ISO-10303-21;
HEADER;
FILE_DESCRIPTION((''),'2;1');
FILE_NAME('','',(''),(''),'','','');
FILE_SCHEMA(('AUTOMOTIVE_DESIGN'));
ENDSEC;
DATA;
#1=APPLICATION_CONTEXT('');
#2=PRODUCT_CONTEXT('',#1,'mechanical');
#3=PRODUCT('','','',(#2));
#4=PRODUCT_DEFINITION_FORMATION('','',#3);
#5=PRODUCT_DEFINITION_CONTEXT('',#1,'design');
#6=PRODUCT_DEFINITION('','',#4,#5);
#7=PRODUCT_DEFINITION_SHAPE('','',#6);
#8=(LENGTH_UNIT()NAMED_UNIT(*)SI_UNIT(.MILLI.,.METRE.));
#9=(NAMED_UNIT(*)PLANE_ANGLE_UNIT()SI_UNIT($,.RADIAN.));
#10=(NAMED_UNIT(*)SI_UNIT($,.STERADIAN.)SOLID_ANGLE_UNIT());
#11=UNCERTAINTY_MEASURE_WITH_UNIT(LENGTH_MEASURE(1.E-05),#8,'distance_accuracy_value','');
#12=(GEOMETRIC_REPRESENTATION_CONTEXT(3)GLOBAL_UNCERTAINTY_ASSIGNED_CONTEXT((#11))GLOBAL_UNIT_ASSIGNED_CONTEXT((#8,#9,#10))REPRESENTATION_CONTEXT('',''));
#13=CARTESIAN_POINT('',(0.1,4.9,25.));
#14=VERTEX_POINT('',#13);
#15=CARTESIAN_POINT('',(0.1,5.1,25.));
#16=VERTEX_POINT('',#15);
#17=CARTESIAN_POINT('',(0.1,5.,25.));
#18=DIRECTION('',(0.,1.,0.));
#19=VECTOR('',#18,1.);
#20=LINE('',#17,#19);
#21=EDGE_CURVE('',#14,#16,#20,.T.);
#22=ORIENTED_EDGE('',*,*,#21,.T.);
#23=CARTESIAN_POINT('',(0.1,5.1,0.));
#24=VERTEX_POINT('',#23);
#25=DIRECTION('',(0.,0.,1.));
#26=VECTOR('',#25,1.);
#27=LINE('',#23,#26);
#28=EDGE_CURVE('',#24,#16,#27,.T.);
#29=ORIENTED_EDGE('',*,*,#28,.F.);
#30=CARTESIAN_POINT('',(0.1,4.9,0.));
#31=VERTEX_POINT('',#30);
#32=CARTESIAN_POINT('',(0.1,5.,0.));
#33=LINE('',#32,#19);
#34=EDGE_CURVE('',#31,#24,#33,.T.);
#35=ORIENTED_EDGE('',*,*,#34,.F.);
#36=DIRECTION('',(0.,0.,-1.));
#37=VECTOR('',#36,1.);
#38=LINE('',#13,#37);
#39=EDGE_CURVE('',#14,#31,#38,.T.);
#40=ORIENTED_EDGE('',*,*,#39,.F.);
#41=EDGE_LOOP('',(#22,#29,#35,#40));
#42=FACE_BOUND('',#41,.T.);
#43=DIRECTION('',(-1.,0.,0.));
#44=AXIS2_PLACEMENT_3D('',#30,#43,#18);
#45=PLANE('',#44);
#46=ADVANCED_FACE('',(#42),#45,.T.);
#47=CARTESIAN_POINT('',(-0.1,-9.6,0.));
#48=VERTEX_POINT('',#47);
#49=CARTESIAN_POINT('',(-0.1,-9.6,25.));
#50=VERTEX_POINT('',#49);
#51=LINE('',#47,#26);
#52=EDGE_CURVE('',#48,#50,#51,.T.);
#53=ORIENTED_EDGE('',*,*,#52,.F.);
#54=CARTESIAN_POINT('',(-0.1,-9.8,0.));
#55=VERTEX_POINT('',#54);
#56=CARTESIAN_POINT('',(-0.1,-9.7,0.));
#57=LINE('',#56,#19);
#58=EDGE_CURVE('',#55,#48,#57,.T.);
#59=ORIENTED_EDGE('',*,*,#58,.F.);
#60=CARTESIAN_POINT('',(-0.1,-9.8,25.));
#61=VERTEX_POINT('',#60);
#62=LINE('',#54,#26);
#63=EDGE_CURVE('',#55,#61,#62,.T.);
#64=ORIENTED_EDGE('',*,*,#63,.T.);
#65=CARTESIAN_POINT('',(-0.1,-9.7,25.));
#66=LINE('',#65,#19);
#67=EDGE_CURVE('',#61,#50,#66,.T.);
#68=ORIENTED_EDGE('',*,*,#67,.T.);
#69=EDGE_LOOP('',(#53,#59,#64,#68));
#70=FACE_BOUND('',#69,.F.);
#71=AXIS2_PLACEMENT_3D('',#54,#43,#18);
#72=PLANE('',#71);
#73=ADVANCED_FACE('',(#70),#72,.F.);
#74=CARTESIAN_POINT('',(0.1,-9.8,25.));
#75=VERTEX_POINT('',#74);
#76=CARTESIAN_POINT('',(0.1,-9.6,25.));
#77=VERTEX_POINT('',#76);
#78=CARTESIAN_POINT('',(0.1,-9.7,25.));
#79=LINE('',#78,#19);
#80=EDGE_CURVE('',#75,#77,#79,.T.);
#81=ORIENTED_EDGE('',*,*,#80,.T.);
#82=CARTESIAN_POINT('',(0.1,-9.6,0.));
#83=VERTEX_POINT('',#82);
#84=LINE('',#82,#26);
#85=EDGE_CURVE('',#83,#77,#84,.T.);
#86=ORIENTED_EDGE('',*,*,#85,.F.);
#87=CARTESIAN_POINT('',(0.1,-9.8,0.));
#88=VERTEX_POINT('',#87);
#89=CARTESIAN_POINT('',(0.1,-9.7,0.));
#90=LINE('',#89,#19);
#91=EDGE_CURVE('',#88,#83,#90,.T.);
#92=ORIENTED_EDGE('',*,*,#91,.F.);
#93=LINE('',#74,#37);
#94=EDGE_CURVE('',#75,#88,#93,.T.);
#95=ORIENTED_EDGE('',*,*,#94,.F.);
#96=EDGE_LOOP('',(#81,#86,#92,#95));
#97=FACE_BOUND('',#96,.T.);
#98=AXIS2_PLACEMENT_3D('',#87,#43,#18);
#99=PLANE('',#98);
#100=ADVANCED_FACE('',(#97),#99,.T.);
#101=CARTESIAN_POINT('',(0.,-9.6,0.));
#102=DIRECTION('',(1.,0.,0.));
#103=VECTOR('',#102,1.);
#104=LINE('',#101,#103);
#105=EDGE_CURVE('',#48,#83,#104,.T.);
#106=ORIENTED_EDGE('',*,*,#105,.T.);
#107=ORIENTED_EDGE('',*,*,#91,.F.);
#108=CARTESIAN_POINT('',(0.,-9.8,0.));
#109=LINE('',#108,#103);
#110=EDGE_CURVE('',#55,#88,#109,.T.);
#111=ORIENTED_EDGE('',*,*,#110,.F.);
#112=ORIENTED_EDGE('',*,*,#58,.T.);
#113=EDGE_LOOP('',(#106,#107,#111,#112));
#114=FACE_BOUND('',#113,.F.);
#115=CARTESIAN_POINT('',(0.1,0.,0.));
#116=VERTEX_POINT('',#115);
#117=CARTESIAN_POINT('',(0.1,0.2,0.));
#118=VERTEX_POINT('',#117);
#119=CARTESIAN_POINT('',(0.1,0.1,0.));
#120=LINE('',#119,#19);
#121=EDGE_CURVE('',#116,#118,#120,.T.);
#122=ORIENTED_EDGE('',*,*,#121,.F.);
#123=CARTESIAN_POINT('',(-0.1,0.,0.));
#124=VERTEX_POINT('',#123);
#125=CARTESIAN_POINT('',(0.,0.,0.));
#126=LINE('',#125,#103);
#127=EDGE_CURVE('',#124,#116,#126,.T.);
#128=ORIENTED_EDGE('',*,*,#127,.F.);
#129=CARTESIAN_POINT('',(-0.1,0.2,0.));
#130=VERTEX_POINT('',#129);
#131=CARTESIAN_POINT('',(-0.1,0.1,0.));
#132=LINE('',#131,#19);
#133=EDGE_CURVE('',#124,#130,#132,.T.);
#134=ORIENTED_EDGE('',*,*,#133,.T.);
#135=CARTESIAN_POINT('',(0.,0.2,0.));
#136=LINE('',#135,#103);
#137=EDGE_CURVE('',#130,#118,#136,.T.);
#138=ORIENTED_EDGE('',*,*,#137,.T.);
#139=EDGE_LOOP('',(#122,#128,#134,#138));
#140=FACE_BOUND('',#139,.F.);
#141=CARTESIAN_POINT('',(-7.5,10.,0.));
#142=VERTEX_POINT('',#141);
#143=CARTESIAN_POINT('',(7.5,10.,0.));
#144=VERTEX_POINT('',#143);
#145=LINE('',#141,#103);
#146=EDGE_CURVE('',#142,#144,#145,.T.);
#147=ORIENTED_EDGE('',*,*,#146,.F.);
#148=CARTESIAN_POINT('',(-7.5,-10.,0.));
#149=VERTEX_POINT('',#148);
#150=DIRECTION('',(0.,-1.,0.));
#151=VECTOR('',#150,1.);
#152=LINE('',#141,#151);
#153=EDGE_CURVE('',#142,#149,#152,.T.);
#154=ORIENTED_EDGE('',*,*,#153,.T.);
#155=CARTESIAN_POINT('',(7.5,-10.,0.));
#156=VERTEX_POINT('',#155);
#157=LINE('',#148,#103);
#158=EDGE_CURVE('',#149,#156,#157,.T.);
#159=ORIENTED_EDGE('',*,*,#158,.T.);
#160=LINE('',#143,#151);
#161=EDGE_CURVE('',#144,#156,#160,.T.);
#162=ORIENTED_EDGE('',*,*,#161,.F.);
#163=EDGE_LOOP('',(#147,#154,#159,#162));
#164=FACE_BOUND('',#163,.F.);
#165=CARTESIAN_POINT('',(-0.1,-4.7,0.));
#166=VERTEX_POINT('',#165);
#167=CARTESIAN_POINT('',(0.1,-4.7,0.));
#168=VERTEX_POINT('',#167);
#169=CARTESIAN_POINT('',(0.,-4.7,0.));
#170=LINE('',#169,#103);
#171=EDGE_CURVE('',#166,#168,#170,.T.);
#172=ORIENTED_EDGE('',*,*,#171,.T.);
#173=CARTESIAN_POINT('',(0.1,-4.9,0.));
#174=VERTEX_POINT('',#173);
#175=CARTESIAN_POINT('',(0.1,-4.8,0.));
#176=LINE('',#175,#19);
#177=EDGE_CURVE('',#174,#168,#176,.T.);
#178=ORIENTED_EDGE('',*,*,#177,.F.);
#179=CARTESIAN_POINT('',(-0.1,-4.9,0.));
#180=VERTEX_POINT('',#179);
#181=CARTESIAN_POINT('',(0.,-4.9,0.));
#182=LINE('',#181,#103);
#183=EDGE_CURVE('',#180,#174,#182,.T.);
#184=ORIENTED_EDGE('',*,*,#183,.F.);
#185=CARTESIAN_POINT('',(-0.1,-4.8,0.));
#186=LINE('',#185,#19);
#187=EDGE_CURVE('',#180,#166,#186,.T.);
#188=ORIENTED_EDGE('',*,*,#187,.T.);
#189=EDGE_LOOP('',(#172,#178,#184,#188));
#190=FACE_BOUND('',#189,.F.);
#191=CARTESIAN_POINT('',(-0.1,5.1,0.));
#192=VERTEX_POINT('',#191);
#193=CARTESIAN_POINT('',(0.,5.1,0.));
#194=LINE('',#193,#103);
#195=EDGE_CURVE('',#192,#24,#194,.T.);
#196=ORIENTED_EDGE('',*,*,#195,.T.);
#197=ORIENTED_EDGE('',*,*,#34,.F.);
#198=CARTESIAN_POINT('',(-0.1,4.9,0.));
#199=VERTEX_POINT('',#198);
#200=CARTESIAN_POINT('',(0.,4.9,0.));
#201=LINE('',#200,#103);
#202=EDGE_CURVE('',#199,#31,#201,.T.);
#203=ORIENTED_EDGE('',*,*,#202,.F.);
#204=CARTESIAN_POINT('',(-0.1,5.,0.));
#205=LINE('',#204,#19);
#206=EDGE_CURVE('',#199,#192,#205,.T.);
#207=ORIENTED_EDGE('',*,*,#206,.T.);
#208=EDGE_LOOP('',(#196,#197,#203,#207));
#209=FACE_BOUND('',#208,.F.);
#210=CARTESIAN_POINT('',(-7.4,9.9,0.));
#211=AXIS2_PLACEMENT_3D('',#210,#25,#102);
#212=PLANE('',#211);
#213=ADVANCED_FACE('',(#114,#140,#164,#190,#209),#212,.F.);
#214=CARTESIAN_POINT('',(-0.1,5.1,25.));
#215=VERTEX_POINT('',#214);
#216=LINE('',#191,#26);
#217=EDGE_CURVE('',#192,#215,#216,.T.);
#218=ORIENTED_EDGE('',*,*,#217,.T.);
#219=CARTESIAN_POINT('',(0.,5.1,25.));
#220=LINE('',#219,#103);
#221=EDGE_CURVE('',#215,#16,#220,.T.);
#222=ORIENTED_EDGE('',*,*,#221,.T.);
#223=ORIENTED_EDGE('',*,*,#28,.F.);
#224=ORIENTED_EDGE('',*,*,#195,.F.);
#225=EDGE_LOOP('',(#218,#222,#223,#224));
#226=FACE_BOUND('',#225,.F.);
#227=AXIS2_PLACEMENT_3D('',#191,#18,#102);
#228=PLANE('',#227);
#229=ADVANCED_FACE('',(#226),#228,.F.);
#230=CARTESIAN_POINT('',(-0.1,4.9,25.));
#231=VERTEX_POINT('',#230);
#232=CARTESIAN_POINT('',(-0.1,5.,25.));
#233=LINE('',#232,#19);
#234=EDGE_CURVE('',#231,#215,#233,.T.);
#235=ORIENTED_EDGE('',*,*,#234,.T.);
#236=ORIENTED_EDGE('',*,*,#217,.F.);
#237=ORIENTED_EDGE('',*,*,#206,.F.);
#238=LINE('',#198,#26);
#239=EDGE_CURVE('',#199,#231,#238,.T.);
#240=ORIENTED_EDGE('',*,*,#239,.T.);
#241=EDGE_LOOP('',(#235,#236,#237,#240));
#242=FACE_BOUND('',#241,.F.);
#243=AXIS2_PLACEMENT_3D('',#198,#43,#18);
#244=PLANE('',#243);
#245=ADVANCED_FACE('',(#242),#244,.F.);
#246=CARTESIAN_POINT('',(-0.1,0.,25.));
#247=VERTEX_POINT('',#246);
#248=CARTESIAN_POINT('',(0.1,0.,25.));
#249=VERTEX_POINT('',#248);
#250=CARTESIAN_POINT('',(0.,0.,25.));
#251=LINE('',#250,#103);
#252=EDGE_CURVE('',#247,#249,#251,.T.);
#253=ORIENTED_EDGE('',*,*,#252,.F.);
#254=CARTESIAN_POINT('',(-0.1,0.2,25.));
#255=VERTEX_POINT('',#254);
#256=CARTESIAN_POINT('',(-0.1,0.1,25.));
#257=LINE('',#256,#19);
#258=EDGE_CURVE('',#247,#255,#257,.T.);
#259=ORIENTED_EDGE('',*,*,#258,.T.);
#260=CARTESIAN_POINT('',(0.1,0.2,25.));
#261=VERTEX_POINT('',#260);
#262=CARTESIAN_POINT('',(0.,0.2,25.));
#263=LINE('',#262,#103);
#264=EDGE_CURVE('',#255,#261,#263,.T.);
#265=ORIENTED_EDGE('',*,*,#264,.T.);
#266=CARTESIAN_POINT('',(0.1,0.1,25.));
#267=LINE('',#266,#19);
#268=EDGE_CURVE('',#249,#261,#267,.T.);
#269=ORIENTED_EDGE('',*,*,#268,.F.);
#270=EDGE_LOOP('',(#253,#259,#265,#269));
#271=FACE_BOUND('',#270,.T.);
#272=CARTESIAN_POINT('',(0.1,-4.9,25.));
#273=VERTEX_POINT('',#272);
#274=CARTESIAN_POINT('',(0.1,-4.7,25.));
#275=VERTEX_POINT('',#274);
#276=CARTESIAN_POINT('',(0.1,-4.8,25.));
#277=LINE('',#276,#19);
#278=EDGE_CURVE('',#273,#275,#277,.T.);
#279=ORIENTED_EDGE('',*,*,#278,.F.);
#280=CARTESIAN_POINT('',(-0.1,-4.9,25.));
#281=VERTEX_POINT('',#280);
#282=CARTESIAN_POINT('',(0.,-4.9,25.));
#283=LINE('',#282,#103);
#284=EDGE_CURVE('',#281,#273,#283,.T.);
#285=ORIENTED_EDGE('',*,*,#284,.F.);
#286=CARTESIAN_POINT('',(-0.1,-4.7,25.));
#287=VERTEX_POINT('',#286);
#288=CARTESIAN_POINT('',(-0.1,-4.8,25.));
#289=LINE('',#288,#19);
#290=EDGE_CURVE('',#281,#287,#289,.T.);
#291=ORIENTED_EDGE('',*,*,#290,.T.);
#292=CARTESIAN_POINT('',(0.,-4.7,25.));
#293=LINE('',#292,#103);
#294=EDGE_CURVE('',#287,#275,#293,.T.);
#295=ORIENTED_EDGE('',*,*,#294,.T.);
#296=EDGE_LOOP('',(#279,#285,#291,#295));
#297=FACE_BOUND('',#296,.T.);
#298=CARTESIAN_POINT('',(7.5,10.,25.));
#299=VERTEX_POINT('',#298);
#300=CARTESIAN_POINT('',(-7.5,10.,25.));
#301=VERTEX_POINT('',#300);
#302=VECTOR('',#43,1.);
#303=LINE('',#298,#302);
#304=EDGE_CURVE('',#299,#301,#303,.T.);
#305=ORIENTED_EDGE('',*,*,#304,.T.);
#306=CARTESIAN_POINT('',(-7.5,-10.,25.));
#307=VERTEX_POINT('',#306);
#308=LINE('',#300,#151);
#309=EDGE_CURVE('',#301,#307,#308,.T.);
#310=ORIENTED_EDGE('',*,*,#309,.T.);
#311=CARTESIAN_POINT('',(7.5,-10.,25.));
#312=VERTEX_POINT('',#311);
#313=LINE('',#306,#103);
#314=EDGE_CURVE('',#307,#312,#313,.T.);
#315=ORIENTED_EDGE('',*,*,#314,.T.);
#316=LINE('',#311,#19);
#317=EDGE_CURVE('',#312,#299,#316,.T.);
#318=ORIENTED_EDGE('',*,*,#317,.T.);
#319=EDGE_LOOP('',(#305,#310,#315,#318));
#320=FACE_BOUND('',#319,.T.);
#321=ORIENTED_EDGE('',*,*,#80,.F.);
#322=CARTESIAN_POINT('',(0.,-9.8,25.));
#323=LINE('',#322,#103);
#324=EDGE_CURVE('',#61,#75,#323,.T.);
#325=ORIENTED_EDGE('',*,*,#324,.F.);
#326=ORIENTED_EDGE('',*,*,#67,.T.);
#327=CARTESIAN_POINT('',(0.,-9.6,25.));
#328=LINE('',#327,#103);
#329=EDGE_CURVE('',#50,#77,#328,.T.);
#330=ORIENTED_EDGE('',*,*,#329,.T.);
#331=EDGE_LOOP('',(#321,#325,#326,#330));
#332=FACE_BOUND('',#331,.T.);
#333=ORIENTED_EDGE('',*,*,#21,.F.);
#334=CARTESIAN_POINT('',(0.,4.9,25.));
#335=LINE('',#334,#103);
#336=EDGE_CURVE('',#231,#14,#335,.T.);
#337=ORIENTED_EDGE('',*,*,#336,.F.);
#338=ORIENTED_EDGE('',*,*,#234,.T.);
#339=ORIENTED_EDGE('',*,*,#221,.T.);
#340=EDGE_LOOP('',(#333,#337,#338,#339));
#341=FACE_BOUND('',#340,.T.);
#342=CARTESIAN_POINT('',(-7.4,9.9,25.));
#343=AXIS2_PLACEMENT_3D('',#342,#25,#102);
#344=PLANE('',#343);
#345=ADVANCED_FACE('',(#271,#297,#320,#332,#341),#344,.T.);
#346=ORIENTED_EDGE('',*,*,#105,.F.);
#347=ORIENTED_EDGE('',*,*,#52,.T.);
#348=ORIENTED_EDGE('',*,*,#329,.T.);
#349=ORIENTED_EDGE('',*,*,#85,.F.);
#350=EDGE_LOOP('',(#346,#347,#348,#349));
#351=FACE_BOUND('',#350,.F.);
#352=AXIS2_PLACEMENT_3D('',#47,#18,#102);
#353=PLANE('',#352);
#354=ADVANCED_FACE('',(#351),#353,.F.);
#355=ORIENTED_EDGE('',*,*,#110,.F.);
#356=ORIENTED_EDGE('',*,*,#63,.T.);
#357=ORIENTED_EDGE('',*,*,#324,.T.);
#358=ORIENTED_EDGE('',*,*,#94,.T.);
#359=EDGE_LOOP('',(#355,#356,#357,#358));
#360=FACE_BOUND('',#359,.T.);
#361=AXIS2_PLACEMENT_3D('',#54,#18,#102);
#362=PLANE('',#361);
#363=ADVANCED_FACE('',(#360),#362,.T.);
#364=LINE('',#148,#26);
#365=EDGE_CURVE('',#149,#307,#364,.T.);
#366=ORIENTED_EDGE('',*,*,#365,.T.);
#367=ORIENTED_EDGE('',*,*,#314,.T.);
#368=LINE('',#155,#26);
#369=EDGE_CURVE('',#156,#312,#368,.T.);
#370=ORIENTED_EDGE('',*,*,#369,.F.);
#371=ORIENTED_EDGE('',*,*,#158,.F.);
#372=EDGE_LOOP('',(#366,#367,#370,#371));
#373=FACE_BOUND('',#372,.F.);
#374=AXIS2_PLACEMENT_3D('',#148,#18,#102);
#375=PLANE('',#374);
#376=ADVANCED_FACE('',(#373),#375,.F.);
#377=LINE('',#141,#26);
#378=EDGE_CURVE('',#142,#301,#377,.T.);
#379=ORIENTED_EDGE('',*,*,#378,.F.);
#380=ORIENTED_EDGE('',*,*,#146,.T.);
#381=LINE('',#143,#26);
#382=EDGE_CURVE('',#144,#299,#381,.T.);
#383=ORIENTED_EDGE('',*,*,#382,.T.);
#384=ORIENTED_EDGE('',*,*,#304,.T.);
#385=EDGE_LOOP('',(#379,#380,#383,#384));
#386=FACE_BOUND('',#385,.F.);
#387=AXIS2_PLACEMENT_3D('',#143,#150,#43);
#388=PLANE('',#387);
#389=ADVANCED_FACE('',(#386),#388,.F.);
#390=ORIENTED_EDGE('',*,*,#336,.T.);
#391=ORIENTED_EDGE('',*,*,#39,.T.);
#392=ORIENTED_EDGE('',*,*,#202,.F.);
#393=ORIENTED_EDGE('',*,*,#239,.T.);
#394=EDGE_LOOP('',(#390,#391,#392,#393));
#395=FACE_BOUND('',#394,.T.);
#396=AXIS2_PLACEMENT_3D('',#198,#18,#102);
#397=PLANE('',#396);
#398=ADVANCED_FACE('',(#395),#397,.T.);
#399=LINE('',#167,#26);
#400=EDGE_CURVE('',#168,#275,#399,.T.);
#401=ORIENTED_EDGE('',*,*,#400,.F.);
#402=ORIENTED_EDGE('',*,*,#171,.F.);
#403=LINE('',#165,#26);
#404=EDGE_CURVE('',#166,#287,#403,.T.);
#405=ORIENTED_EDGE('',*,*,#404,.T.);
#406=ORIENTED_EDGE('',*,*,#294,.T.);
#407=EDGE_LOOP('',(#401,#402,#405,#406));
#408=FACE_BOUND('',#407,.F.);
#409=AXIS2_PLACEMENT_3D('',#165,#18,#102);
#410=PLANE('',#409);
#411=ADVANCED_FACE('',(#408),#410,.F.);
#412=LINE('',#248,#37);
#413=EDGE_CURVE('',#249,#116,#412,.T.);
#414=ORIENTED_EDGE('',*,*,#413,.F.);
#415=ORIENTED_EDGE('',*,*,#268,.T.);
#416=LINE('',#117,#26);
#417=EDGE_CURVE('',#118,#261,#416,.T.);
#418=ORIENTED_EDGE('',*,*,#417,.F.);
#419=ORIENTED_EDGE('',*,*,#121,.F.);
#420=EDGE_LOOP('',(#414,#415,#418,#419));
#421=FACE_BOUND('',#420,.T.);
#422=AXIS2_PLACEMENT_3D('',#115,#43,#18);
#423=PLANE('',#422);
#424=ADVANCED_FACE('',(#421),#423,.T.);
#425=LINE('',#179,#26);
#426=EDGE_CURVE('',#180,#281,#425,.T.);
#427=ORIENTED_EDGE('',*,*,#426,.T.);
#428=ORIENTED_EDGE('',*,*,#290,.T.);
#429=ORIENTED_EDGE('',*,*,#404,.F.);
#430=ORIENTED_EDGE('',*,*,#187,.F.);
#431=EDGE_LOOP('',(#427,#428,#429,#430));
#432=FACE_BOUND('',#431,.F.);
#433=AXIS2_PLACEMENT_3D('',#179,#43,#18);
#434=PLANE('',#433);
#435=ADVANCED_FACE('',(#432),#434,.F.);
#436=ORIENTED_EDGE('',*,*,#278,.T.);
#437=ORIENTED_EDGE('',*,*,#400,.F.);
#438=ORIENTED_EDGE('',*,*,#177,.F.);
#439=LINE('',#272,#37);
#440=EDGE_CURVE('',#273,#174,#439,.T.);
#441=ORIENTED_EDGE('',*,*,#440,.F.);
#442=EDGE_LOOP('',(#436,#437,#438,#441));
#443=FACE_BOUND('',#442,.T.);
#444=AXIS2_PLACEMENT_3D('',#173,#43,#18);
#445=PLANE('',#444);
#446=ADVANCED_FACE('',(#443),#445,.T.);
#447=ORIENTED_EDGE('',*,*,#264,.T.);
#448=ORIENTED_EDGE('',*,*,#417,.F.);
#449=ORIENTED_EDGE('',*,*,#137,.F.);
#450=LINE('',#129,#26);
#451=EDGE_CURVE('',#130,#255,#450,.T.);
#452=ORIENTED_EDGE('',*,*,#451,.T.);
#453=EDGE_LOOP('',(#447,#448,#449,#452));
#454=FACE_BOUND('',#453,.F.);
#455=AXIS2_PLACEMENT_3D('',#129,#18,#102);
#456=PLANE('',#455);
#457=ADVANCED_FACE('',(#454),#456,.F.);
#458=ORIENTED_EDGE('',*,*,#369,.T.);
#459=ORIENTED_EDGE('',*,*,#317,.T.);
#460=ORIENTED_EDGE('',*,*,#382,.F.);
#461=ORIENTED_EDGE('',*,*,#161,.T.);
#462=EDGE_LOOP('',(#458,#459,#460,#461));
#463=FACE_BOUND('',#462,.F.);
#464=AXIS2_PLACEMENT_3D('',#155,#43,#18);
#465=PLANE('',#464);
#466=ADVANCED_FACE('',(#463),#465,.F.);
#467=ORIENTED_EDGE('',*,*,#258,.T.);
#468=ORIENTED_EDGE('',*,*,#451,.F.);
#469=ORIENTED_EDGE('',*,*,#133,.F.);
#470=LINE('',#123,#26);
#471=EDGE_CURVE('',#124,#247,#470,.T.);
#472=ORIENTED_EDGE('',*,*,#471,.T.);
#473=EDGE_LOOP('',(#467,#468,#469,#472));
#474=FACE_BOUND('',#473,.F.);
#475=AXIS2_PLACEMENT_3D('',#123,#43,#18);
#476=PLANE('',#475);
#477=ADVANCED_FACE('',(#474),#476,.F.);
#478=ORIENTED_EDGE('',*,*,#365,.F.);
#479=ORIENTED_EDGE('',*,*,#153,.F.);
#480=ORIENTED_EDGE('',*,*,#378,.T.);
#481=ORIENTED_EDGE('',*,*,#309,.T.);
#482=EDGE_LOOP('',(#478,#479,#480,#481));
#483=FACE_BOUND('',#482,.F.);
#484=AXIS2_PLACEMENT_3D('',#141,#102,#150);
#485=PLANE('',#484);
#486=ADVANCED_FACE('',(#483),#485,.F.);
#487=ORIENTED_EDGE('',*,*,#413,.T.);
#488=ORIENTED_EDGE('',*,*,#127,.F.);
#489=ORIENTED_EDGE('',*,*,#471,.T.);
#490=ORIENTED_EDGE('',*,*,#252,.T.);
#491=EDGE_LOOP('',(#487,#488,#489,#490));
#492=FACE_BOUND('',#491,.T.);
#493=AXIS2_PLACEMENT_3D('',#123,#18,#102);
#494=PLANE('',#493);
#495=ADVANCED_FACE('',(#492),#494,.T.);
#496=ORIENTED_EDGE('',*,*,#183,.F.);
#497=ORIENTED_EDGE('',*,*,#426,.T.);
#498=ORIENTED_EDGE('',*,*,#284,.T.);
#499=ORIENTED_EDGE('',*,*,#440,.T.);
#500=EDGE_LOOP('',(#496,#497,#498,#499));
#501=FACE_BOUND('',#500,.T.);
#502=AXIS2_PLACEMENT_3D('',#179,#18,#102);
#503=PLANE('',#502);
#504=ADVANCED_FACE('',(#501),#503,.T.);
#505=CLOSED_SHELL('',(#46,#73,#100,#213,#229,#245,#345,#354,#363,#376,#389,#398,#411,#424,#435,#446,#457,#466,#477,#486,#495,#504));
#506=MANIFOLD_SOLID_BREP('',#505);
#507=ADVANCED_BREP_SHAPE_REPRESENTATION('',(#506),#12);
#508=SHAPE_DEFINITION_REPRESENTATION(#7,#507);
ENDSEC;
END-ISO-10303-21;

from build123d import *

# Parameters (mm, degrees)
F0_W     = 0.2
F0_H     = 0.2
F1_DEPTH = 0.725
F2_DEPTH = 25


with BuildPart() as f1:
    # F0 (on Top) → F1 (new body)
    with BuildSketch(Plane.XY):
        Polygon((-0.1, 10), (-7.3, 10), (-7.3, 9.8), (-7.5, 9.8), (-7.5, 5.1), (-7.3, 5.1), (-7.3, 4.9), (-7.5, 4.9), (-7.5, 0.2), (-7.3, 0.2), (-7.3, 0), (-7.5, 0), (-7.5, -4.7), (-7.3, -4.7), (-7.3, -4.9), (-7.5, -4.9), (-7.5, -9.6), (-7.3, -9.6), (-7.3, -9.8), (-7.5, -9.8), (-7.5, -10), (7.5, -10), (7.5, -9.8), (7.3, -9.8), (7.3, -9.6), (7.5, -9.6), (7.5, -4.9), (7.3, -4.9), (7.3, -4.7), (7.5, -4.7), (7.5, 0), (7.3, 0), (7.3, 0.2), (7.5, 0.2), (7.5, 4.9), (7.3, 4.9), (7.3, 5.1), (7.5, 5.1), (7.5, 9.8), (7.3, 9.8), (7.3, 10), (0.1, 10), (0.1, 9.8), (-0.1, 9.8), align=None)
        with Locations((0, -9.7)):
            Rectangle(F0_W, F0_H, mode=Mode.SUBTRACT)
        with Locations((0, -4.8)):
            Rectangle(F0_W, F0_H, mode=Mode.SUBTRACT)
        with Locations((0, 0.1)):
            Rectangle(F0_W, F0_H, mode=Mode.SUBTRACT)
        with Locations((0, 5)):
            Rectangle(F0_W, F0_H, mode=Mode.SUBTRACT)
    extrude(amount=F1_DEPTH)

    # F0 (on Top) → F2 (join)
    with BuildSketch(Plane.XY):
        with Locations((-7.4, 9.9)):
            Rectangle(F0_W, F0_H)
        Polygon((-0.1, 10), (-7.3, 10), (-7.3, 9.8), (-7.5, 9.8), (-7.5, 5.1), (-7.3, 5.1), (-7.3, 4.9), (-7.5, 4.9), (-7.5, 0.2), (-7.3, 0.2), (-7.3, 0), (-7.5, 0), (-7.5, -4.7), (-7.3, -4.7), (-7.3, -4.9), (-7.5, -4.9), (-7.5, -9.6), (-7.3, -9.6), (-7.3, -9.8), (-7.5, -9.8), (-7.5, -10), (7.5, -10), (7.5, -9.8), (7.3, -9.8), (7.3, -9.6), (7.5, -9.6), (7.5, -4.9), (7.3, -4.9), (7.3, -4.7), (7.5, -4.7), (7.5, 0), (7.3, 0), (7.3, 0.2), (7.5, 0.2), (7.5, 4.9), (7.3, 4.9), (7.3, 5.1), (7.5, 5.1), (7.5, 9.8), (7.3, 9.8), (7.3, 10), (0.1, 10), (0.1, 9.8), (-0.1, 9.8), align=None)
        with Locations((0, -9.7)):
            Rectangle(F0_W, F0_H, mode=Mode.SUBTRACT)
        with Locations((0, -4.8)):
            Rectangle(F0_W, F0_H, mode=Mode.SUBTRACT)
        with Locations((0, 0.1)):
            Rectangle(F0_W, F0_H, mode=Mode.SUBTRACT)
        with Locations((0, 5)):
            Rectangle(F0_W, F0_H, mode=Mode.SUBTRACT)
        with Locations((0, 9.9)):
            Rectangle(F0_W, F0_H)
        with Locations((-7.4, 5)):
            Rectangle(F0_W, F0_H)
        with Locations((7.4, 9.9)):
            Rectangle(F0_W, F0_H)
        with Locations((-7.4, 0.1)):
            Rectangle(F0_W, F0_H)
        with Locations((-7.4, -4.8)):
            Rectangle(F0_W, F0_H)
        with Locations((7.4, 5)):
            Rectangle(F0_W, F0_H)
        with Locations((-7.4, -9.7)):
            Rectangle(F0_W, F0_H)
        with Locations((7.4, 0.1)):
            Rectangle(F0_W, F0_H)
        with Locations((7.4, -4.8)):
            Rectangle(F0_W, F0_H)
        with Locations((7.4, -9.7)):
            Rectangle(F0_W, F0_H)
    extrude(amount=F2_DEPTH)


solid = f1.part
